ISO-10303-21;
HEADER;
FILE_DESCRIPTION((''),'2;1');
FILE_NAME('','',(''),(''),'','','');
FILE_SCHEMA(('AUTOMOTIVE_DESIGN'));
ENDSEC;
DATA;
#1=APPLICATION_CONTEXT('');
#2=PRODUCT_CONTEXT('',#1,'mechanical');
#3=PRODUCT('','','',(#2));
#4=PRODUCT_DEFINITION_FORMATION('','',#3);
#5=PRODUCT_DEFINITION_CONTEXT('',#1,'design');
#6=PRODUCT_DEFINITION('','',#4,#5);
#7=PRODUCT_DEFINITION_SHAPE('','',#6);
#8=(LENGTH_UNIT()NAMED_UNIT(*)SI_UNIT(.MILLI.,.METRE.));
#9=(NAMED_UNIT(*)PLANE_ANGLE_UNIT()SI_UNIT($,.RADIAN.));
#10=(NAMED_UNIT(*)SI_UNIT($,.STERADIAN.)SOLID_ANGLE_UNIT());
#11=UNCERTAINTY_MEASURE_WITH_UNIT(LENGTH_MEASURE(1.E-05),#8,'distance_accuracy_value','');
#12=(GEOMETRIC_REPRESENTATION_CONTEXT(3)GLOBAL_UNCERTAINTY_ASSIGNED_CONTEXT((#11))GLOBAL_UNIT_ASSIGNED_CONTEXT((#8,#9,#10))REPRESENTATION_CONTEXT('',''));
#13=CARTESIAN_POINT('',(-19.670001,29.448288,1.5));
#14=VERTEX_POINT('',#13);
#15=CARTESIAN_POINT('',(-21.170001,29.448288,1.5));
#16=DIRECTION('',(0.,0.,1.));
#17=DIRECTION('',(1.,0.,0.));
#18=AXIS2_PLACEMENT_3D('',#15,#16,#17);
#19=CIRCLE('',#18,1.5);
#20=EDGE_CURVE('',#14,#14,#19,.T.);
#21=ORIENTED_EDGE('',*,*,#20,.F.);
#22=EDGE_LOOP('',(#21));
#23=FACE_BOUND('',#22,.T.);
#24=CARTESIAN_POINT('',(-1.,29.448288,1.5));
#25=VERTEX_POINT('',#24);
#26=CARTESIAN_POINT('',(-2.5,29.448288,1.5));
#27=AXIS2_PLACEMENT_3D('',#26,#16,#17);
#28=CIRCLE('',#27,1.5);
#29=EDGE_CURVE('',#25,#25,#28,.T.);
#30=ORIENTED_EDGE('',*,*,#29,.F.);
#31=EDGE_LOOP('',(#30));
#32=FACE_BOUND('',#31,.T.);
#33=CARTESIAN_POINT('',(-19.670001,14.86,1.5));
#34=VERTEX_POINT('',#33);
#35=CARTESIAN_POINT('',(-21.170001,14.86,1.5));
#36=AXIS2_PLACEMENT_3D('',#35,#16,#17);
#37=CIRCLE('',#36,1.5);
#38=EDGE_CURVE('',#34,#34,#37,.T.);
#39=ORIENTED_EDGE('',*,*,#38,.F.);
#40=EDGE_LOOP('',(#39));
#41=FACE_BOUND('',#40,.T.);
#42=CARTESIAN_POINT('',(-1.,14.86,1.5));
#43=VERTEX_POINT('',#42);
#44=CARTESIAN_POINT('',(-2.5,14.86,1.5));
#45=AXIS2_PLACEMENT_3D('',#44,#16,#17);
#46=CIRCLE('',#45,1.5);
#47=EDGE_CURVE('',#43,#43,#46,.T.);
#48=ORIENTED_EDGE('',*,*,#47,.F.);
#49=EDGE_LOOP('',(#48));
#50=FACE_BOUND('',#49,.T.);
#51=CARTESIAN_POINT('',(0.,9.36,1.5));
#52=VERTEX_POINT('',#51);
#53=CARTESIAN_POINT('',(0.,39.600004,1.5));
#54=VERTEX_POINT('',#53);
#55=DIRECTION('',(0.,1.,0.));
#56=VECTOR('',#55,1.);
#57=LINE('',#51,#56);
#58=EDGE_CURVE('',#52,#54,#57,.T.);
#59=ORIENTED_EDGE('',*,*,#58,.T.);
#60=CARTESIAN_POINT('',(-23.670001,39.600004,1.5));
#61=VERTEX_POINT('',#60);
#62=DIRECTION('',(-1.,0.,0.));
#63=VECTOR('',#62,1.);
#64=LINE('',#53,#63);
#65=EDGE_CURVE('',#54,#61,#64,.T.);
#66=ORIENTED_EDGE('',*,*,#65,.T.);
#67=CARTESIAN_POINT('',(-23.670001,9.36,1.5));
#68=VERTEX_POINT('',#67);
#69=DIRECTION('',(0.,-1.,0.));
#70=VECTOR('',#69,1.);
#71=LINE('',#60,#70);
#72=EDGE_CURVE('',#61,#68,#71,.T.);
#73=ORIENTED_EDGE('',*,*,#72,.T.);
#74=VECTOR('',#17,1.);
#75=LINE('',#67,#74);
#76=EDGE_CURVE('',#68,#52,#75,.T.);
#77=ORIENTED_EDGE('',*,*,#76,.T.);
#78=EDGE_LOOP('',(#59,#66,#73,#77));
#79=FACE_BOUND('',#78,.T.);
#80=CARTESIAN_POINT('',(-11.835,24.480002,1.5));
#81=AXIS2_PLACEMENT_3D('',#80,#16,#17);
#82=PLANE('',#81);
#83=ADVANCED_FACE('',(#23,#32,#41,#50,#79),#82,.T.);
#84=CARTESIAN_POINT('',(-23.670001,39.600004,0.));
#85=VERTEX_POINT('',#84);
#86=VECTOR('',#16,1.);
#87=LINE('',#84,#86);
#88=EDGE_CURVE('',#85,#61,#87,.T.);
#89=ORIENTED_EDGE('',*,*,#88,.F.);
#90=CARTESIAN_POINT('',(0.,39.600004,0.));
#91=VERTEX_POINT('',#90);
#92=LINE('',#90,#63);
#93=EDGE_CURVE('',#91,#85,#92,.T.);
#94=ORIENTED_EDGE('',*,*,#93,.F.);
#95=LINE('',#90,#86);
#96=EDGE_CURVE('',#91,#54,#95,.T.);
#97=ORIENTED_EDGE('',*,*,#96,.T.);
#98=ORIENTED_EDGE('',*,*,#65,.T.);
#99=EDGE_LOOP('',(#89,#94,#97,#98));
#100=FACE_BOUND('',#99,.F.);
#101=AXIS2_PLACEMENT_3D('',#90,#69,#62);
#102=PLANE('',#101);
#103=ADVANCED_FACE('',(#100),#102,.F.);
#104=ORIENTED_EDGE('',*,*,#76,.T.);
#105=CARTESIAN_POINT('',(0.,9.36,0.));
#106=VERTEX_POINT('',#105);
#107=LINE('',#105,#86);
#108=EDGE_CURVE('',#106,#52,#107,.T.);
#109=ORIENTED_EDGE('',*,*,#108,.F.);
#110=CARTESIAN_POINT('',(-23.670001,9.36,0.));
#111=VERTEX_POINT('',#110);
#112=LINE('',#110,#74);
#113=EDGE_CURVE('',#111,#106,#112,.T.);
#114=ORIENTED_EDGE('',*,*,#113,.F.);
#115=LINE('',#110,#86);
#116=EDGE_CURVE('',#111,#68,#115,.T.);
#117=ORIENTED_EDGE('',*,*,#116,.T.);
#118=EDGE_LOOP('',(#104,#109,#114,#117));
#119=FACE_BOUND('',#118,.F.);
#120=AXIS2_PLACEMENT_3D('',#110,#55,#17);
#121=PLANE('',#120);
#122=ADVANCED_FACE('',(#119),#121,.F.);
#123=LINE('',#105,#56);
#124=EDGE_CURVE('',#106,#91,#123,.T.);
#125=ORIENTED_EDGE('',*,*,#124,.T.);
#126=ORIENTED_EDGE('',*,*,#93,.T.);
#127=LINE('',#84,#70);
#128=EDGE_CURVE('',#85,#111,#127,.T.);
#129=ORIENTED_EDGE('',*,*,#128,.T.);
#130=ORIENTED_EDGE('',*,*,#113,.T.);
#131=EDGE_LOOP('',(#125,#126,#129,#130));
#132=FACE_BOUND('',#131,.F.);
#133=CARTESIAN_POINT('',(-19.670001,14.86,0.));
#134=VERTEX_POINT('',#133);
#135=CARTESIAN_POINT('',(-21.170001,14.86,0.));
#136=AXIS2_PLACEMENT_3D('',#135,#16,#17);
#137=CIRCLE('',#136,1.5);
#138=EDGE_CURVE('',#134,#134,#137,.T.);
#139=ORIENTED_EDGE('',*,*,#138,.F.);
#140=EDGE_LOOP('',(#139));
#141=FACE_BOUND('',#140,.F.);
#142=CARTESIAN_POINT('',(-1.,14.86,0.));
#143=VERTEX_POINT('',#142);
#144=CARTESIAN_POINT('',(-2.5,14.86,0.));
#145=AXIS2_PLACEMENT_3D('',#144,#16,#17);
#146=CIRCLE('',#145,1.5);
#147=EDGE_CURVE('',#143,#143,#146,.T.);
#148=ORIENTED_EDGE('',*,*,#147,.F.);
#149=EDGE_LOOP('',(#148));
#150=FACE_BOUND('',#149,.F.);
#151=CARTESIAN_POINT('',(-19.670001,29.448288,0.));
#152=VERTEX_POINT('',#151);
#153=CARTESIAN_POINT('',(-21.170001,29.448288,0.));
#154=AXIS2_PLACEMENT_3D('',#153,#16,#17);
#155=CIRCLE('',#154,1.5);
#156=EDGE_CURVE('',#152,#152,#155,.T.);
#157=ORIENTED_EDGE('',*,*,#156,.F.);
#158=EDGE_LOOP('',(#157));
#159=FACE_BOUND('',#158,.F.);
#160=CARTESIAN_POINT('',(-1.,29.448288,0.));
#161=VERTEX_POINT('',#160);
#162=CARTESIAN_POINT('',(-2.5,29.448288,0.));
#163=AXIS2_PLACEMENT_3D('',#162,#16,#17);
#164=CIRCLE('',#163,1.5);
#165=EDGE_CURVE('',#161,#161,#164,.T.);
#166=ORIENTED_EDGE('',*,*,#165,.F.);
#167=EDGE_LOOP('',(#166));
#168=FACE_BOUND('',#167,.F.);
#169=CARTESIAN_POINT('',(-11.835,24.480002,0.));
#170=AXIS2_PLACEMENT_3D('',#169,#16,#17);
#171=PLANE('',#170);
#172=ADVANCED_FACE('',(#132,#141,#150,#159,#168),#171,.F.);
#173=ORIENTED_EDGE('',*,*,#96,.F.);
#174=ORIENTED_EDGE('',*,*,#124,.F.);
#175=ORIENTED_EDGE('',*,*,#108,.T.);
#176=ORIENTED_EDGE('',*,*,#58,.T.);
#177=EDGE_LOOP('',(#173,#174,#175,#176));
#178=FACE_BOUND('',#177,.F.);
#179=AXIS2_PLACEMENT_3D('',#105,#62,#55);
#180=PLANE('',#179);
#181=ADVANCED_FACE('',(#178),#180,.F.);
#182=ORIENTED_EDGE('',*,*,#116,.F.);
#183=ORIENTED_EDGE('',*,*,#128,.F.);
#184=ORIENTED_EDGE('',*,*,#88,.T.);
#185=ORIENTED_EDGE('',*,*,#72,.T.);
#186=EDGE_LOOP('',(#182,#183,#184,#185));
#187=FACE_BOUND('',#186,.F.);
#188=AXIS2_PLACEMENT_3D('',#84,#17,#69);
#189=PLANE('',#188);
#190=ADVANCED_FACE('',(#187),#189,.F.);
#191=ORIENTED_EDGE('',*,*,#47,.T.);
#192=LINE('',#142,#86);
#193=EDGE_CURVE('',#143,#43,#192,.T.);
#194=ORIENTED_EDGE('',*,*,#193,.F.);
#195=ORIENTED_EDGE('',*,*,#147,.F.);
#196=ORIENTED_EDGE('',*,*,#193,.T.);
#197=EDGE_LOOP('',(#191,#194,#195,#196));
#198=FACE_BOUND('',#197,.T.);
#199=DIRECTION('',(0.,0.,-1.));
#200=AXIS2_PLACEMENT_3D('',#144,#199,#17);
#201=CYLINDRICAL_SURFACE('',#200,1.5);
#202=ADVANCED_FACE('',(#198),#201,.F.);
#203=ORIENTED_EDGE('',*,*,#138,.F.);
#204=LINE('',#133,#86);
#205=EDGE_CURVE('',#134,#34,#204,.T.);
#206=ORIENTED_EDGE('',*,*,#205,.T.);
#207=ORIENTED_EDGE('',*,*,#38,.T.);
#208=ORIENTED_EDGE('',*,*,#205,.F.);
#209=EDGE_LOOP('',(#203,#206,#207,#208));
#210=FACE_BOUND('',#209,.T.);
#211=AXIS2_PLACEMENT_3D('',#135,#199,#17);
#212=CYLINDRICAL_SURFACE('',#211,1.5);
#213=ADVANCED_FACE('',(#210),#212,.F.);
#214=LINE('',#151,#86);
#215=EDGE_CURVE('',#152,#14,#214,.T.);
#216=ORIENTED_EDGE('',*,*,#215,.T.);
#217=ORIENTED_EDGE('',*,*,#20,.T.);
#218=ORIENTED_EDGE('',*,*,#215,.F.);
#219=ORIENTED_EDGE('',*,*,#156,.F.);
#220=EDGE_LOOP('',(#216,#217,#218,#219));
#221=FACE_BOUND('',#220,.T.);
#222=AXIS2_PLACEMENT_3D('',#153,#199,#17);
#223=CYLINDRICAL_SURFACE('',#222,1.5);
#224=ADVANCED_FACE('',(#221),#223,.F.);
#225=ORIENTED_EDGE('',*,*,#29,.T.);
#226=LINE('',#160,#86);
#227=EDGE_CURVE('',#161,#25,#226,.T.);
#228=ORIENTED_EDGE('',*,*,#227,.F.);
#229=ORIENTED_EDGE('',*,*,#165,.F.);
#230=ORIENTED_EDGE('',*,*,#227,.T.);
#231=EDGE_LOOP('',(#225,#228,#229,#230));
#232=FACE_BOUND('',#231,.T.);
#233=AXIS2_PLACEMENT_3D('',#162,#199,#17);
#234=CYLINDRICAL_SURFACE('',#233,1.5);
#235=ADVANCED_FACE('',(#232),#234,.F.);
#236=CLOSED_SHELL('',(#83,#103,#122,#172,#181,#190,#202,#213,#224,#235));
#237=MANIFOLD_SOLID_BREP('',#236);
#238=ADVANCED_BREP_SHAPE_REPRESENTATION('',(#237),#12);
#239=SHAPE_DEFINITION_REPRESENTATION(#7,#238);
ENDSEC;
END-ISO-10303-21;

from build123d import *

# Parameters (mm, degrees)
F0_R     = 1.5
F1_DEPTH = 1.5


with BuildPart() as f1:
    # F0 (on Top) → F1 (new body)
    with BuildSketch(Plane.XY):
        Polygon((0, 39.600004), (-23.670001, 39.600004), (-23.670001, 14.86), (-23.670001, 13.36), (-23.670001, 9.36), (0, 9.36), align=None)
        with Locations((-21.170001, 14.86)):
            Circle(F0_R, mode=Mode.SUBTRACT)
        with Locations((-2.5, 14.86)):
            Circle(F0_R, mode=Mode.SUBTRACT)
        with Locations((-21.170001, 29.448288)):
            Circle(F0_R, mode=Mode.SUBTRACT)
        with Locations((-2.5, 29.448288)):
            Circle(F0_R, mode=Mode.SUBTRACT)
    extrude(amount=F1_DEPTH)


solid = f1.part
